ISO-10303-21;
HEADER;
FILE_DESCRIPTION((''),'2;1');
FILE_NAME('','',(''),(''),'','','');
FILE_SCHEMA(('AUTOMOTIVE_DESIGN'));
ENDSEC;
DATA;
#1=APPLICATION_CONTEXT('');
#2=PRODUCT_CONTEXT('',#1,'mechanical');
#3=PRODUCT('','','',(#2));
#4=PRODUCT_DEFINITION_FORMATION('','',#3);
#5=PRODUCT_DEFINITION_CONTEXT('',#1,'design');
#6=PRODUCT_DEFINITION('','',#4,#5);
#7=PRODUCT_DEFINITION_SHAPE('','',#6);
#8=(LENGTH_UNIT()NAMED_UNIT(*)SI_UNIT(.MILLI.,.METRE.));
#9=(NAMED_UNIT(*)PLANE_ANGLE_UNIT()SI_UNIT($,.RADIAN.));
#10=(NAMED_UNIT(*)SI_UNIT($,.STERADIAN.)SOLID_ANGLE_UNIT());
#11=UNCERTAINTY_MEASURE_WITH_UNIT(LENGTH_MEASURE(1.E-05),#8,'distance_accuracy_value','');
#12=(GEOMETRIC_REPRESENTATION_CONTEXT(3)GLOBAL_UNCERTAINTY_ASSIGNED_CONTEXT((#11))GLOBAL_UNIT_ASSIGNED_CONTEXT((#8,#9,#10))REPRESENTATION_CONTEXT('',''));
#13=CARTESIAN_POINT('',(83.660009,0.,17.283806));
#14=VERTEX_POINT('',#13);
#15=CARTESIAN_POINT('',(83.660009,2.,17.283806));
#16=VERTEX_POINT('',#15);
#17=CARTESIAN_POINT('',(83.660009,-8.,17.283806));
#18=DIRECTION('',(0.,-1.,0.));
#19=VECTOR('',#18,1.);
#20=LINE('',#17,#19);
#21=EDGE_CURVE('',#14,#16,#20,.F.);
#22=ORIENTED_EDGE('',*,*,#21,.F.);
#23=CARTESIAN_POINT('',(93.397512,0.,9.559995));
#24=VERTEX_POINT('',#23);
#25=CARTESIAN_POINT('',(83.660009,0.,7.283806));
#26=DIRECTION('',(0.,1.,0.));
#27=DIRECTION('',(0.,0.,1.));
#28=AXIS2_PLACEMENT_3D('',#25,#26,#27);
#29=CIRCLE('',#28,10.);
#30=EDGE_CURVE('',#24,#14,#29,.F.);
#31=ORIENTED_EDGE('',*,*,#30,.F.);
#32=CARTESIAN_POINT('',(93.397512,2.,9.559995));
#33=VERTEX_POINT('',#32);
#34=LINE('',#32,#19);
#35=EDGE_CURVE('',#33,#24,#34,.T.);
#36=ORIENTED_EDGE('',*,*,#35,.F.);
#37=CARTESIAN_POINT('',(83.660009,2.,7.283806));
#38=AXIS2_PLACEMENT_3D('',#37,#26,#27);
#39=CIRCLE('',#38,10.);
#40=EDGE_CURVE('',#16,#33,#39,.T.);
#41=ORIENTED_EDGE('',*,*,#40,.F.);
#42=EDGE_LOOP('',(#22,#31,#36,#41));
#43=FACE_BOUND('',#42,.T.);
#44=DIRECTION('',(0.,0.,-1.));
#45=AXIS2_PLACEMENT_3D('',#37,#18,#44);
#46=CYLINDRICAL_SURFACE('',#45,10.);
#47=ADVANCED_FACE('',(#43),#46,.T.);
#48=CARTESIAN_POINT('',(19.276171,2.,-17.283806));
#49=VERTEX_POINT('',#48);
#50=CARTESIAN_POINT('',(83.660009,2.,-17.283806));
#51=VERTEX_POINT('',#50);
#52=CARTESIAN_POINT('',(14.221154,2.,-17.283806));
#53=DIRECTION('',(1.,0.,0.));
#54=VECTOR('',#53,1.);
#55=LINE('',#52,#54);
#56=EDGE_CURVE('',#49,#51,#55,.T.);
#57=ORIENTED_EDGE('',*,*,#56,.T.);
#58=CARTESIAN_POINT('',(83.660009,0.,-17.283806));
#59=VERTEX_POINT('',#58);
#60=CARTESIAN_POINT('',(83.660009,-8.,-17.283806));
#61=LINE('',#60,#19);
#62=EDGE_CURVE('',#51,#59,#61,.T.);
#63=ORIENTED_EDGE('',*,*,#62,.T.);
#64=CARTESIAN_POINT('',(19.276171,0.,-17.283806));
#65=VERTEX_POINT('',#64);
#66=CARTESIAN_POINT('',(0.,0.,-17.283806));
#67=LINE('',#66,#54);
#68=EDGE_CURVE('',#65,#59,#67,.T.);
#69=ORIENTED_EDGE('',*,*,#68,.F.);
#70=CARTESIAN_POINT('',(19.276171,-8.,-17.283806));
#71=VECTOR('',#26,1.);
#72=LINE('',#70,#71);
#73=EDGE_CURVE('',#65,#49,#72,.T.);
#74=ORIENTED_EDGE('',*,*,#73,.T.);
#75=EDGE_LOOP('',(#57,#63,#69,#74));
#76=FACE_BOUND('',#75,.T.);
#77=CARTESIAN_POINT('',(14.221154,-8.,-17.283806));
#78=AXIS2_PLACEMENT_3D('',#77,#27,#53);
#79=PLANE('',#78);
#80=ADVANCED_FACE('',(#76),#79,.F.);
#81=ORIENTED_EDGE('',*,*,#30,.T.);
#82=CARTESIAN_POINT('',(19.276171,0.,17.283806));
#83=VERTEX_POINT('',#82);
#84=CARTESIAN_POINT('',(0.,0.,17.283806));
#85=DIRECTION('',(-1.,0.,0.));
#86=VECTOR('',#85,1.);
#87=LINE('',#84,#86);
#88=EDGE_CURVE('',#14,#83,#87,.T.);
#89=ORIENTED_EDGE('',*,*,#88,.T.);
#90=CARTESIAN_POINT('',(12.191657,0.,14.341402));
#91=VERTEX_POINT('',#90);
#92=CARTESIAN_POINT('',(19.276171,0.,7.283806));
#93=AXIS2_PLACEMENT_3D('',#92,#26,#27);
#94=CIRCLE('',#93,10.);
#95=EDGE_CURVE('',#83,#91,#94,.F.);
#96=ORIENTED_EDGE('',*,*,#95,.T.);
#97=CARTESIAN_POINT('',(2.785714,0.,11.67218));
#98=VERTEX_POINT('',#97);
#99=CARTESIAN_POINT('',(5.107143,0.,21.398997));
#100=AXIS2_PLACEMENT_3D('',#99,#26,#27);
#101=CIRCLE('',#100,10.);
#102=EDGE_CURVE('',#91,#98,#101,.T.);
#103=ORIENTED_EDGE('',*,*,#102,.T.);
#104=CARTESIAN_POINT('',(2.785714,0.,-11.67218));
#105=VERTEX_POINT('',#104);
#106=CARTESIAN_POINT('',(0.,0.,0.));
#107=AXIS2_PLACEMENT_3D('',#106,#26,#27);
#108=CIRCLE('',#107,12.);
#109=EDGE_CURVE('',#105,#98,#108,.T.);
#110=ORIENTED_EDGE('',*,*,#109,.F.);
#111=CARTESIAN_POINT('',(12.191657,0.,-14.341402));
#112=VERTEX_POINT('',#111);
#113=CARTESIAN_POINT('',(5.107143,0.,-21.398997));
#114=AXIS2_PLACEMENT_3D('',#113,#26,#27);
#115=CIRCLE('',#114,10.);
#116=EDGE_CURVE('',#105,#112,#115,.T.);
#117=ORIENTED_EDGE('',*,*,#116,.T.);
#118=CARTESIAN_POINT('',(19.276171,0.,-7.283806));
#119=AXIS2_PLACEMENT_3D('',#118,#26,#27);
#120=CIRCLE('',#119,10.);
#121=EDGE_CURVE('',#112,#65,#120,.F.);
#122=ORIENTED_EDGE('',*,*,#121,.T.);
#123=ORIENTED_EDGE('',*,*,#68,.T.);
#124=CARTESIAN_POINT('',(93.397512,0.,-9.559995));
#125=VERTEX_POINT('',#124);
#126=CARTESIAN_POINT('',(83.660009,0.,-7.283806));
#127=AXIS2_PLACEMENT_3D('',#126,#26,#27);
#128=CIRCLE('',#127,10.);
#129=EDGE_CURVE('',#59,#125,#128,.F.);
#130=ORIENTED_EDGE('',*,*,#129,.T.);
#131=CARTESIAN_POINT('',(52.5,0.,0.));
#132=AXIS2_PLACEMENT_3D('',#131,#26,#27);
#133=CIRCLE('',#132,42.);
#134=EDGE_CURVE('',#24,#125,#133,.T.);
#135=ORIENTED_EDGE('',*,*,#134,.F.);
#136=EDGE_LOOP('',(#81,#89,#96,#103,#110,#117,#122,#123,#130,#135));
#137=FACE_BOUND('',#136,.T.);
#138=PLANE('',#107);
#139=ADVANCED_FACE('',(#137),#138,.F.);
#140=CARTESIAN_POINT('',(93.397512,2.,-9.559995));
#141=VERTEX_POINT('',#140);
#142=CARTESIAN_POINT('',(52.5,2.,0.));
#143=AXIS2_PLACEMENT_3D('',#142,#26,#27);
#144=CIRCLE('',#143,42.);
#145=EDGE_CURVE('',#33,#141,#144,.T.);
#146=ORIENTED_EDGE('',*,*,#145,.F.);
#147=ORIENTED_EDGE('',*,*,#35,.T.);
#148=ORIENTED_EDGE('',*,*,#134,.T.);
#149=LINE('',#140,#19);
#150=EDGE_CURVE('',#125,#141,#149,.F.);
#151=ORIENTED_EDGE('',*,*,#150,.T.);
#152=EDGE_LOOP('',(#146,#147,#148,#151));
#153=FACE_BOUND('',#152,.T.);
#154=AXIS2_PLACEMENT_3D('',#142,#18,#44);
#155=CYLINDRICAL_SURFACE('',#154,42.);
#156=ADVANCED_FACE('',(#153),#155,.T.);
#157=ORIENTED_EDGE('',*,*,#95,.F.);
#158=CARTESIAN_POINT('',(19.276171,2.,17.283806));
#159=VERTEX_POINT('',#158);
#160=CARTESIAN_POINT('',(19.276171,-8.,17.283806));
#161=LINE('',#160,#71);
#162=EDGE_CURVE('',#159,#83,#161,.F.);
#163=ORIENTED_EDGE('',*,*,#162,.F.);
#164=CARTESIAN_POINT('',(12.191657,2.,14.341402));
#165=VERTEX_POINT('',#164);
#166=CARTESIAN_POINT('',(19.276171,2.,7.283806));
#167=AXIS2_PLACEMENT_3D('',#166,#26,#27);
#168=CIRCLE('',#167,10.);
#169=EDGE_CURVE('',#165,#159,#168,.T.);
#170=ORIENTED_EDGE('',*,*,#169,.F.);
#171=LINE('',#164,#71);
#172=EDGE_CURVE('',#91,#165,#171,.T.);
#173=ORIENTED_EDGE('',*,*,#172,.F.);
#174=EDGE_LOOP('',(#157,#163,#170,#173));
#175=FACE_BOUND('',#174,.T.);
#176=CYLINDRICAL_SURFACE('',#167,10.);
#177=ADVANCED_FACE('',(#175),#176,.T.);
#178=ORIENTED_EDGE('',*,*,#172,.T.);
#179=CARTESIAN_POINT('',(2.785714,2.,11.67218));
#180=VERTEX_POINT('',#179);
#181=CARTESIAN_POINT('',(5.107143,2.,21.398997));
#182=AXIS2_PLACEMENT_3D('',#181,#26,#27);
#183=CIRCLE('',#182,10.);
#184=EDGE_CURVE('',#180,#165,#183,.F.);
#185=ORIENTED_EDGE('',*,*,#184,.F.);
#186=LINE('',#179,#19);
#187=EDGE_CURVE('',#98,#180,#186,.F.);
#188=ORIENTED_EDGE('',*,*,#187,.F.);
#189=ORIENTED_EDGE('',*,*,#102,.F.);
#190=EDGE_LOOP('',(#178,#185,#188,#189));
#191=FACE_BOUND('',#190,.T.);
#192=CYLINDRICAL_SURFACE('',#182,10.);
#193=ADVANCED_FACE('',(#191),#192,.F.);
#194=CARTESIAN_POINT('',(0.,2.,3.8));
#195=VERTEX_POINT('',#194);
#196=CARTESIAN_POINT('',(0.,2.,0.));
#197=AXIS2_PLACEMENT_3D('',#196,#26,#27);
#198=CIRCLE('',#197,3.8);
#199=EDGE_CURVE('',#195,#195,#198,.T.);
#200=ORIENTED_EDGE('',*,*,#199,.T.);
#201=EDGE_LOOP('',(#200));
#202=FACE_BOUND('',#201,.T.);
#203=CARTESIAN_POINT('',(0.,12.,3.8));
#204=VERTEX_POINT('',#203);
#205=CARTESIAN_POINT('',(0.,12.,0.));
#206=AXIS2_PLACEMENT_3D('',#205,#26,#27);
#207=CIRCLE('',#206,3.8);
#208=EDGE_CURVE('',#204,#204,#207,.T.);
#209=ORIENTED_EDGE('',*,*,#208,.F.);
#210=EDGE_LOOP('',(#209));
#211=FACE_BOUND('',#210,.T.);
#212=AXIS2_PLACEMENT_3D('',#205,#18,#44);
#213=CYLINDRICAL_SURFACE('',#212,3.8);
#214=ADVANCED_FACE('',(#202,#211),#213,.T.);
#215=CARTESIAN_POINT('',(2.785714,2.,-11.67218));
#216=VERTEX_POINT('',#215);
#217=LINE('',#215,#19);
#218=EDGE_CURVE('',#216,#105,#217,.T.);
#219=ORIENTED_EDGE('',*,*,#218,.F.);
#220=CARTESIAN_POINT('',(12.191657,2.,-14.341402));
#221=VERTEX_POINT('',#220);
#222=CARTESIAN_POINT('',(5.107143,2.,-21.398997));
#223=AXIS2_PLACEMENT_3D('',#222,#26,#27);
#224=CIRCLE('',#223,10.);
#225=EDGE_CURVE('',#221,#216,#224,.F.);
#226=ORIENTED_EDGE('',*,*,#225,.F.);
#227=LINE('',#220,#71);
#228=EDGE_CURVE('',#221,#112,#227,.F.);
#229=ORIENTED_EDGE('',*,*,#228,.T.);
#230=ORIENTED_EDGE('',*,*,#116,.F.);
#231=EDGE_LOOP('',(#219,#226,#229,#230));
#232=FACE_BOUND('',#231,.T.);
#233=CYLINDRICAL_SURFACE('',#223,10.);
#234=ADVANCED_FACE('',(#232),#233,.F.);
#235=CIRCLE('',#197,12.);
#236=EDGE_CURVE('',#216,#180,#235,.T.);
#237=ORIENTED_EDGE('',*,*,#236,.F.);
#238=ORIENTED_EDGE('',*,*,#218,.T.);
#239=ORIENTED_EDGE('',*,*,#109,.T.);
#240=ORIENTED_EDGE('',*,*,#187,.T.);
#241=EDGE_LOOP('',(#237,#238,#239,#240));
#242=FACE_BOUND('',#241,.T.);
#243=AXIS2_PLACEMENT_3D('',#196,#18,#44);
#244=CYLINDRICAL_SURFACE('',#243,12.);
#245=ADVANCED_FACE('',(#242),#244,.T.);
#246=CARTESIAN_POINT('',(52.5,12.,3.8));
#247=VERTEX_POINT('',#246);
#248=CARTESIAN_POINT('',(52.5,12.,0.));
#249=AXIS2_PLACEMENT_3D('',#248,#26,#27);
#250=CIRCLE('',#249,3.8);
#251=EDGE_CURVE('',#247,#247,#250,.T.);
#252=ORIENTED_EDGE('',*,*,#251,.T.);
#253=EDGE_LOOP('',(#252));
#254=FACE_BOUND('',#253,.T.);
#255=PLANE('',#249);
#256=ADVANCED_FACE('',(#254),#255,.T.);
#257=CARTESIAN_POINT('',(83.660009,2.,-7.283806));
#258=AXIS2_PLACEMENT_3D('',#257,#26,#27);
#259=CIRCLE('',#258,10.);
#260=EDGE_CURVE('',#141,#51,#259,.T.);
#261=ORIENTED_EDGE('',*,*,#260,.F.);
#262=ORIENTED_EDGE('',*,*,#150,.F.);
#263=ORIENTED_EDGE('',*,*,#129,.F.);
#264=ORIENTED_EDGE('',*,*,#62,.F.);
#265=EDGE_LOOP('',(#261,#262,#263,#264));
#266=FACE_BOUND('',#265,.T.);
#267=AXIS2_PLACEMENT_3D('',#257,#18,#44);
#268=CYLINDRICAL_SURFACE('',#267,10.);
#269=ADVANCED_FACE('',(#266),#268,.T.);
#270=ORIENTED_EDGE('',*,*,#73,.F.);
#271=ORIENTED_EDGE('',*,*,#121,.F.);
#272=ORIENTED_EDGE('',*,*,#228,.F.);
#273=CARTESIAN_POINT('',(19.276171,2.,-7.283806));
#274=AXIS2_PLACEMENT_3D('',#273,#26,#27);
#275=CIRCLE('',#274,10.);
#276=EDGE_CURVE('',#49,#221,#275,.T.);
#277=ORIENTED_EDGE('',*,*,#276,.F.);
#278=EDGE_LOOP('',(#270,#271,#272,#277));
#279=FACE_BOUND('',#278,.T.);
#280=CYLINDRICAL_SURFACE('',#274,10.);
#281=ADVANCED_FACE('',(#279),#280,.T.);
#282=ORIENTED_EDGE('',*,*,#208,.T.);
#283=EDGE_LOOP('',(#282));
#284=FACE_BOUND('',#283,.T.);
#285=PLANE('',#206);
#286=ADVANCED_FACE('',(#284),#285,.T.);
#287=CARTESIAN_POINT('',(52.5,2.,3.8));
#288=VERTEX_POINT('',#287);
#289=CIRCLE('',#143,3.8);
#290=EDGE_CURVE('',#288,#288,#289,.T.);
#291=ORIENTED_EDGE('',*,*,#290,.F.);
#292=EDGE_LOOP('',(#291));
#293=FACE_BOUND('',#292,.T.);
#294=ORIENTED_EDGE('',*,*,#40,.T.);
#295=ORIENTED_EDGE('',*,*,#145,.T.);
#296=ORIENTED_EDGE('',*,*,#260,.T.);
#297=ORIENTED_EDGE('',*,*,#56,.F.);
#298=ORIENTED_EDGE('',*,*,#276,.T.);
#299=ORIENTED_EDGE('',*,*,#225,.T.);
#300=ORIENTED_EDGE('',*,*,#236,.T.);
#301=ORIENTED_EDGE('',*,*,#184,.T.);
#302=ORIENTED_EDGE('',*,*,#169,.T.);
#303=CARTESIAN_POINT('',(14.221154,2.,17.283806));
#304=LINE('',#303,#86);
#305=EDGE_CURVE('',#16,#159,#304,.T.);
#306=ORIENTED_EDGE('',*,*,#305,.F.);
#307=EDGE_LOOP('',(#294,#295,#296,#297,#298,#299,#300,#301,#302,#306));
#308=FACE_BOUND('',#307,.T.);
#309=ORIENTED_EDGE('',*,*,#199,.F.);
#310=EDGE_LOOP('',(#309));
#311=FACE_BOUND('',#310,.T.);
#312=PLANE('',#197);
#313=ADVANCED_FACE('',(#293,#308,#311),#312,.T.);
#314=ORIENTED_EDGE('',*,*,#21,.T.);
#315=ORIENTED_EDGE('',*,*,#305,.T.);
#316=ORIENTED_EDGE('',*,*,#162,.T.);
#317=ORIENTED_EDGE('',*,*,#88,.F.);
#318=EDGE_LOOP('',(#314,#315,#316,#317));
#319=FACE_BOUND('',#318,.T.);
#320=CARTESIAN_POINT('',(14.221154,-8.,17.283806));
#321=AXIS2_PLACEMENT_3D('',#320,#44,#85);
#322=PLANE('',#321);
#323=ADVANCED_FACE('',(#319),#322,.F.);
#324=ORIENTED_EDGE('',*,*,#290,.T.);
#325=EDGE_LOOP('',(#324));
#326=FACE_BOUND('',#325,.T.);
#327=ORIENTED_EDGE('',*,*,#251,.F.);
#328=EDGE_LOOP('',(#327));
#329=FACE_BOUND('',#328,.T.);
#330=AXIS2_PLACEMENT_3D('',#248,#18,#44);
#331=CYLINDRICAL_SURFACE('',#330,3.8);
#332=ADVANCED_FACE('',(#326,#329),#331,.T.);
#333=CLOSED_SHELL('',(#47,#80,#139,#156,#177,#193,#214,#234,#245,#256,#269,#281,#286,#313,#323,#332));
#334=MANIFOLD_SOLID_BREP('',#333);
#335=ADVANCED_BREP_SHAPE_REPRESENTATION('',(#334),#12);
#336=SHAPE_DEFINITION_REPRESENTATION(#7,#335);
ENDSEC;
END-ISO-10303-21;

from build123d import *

# Parameters (mm, degrees)
SKETCH1_R           = 12
SKETCH1_R_2         = 42
BOSS_EXTRUDE1_DEPTH = 2
SKETCH2_R           = 3.8
BOSS_EXTRUDE2_DEPTH = 10
FILLET1_R           = 10
CUT_EXTRUDE1_START  = -10
CUT_EXTRUDE1_DEPTH  = 10
FILLET2_R           = 10


with BuildPart() as part:
    # Sketch1 → Boss-Extrude1 (new body)
    with BuildSketch(Plane(origin=(0, 0, 0), x_dir=(1, 0, 0), z_dir=(0, 1, 0))):
        Circle(SKETCH1_R)
        with Locations((52.5, 0)):
            Circle(SKETCH1_R_2)
    extrude(amount=BOSS_EXTRUDE1_DEPTH)

    # Sketch2 → Boss-Extrude2 (add)
    with BuildSketch(Plane(origin=(0, 2, 0), x_dir=(1, 0, 0), z_dir=(0, 1, 0))):
        with Locations(Location((0, 0, 0), (0, 0, 270))):
            Circle(SKETCH2_R)
        with Locations(Location((52.5, 0, 0), (0, 0, 270))):
            Circle(SKETCH2_R)
    extrude(amount=BOSS_EXTRUDE2_DEPTH)

    # Fillet1
    fillet1_edges = [part.edges().sort_by_distance(p)[0] for p in [
        (10.821428571, 1, 5.186201276),
        (10.821428571, 1, -5.186201276),
    ]]
    fillet(fillet1_edges, radius=FILLET1_R)

    # Sketch3 → Cut-Extrude1 (cut)
    with BuildSketch(Plane(origin=(0, 2, 0), x_dir=(1, 0, 0), z_dir=(0, 1, 0)).offset(CUT_EXTRUDE1_START)):
        with BuildLine():
            Line((14.221153846, -17.283805632), (90.778846154, -17.283805632))
            ThreePointArc((90.778846154, -17.283805632), (52.5, -42), (14.221153846, -17.283805632))
        make_face()
        with BuildLine():
            Line((14.221153846, 17.283805632), (90.778846154, 17.283805632))
            ThreePointArc((90.778846154, 17.283805632), (52.5, 42), (14.221153846, 17.283805632))
        make_face()
    extrude(amount=CUT_EXTRUDE1_DEPTH, mode=Mode.SUBTRACT)

    # Fillet2
    fillet2_edges = [part.edges().sort_by_distance(p)[0] for p in [
        (14.221153846, 1, 17.283805632),
        (14.221153846, 1, -17.283805632),
        (90.778846154, 1, 17.283805632),
        (90.778846154, 1, -17.283805632),
    ]]
    fillet(fillet2_edges, radius=FILLET2_R)


solid = part.part
